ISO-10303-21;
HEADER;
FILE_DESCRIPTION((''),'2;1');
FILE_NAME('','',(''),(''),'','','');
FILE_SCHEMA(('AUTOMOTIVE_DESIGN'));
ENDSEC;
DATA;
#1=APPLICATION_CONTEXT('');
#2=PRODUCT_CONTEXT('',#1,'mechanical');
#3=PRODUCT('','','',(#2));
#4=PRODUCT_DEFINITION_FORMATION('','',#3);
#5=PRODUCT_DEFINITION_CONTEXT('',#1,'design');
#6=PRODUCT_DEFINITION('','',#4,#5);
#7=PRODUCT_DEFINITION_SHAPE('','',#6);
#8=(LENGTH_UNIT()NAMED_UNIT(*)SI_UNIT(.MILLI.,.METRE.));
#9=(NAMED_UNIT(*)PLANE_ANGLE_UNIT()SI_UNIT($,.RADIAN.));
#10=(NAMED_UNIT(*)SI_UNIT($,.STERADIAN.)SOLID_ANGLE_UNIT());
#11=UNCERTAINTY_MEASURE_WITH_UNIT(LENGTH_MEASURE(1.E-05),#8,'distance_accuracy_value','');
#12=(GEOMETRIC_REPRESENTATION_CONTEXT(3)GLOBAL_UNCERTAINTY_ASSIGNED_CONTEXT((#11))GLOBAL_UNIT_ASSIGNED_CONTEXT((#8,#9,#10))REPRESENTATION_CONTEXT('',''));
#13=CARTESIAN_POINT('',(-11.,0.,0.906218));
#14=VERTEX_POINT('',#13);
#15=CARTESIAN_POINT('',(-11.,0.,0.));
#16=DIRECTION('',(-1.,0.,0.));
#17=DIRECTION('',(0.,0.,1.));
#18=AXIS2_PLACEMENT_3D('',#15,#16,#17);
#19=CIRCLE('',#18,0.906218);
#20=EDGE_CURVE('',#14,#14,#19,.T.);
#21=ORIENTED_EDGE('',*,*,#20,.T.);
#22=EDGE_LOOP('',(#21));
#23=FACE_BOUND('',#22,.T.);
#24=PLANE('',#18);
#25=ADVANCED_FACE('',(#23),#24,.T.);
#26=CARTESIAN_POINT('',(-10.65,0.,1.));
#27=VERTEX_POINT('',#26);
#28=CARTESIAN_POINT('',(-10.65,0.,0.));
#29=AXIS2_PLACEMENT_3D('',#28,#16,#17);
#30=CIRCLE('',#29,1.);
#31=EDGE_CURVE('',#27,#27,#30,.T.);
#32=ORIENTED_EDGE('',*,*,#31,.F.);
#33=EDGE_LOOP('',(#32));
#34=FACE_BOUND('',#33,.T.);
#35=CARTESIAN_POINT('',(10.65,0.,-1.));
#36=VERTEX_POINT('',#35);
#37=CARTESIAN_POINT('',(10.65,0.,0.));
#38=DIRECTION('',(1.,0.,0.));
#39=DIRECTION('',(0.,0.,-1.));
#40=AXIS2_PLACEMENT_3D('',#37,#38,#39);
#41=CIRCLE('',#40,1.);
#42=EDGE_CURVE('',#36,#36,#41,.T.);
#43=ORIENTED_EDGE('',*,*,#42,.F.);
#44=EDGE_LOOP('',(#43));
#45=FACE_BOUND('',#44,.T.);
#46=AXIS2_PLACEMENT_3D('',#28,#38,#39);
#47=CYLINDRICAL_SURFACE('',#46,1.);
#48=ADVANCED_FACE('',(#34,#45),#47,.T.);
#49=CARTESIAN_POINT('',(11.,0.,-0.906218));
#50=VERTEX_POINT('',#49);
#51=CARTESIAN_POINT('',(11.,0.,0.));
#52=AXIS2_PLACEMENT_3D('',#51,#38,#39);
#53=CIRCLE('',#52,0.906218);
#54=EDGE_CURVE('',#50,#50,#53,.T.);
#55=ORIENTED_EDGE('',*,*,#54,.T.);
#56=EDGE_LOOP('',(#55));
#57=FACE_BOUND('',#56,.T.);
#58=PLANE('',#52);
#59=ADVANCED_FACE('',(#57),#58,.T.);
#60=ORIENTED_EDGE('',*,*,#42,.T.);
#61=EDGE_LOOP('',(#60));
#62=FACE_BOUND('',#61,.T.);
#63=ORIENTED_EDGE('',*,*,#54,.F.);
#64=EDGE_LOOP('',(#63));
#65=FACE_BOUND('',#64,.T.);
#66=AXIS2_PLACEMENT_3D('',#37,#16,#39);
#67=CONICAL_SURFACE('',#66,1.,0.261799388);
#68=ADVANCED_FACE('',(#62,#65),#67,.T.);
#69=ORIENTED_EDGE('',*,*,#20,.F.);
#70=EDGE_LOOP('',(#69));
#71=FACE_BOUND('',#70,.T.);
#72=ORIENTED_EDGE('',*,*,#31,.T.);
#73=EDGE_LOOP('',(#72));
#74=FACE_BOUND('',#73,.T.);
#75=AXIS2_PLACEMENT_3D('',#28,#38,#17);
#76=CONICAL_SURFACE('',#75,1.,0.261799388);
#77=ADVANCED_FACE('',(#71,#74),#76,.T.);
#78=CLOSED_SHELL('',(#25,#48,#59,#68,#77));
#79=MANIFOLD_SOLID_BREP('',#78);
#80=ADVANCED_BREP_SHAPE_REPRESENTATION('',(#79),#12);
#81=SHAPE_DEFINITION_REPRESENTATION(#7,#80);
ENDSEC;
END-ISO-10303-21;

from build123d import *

# Parameters (mm, degrees)
EXTRUDE1_DEPTH      = 10.65
EXTRUDE1_DEPTH_BACK = 10.65
SKETCH2_R           = 1
SKETCH3_R           = 1
EXTRUDE2_DEPTH      = 0.35
EXTRUDE2_TAPER      = 15
SKETCH4_R           = 1
EXTRUDE3_DEPTH      = 0.35
EXTRUDE3_TAPER      = 15


with BuildPart() as part:
    # Sketch2 → Extrude1 (new, two sides: drawn at the far end of the back side and taken through both)
    with BuildSketch(Plane(origin=(0, 0, 0), x_dir=(0, 0, -1), z_dir=(1, 0, 0)).offset(-EXTRUDE1_DEPTH_BACK)):
        Circle(SKETCH2_R)
    extrude(amount=EXTRUDE1_DEPTH + EXTRUDE1_DEPTH_BACK)

    # Sketch3 → Extrude2 (add)
    with BuildSketch(Plane(origin=(10.65, 0, 0), x_dir=(0, 0, -1), z_dir=(1, 0, 0))):
        Circle(SKETCH3_R)
    extrude(amount=EXTRUDE2_DEPTH, taper=EXTRUDE2_TAPER)

    # Sketch4 → Extrude3 (add)
    with BuildSketch(Plane.ZY.offset(10.65)):
        with Locations(Location((0, 0, 0), (0, 0, 180))):
            Circle(SKETCH4_R)
    extrude(amount=EXTRUDE3_DEPTH, taper=EXTRUDE3_TAPER)


solid = part.part
